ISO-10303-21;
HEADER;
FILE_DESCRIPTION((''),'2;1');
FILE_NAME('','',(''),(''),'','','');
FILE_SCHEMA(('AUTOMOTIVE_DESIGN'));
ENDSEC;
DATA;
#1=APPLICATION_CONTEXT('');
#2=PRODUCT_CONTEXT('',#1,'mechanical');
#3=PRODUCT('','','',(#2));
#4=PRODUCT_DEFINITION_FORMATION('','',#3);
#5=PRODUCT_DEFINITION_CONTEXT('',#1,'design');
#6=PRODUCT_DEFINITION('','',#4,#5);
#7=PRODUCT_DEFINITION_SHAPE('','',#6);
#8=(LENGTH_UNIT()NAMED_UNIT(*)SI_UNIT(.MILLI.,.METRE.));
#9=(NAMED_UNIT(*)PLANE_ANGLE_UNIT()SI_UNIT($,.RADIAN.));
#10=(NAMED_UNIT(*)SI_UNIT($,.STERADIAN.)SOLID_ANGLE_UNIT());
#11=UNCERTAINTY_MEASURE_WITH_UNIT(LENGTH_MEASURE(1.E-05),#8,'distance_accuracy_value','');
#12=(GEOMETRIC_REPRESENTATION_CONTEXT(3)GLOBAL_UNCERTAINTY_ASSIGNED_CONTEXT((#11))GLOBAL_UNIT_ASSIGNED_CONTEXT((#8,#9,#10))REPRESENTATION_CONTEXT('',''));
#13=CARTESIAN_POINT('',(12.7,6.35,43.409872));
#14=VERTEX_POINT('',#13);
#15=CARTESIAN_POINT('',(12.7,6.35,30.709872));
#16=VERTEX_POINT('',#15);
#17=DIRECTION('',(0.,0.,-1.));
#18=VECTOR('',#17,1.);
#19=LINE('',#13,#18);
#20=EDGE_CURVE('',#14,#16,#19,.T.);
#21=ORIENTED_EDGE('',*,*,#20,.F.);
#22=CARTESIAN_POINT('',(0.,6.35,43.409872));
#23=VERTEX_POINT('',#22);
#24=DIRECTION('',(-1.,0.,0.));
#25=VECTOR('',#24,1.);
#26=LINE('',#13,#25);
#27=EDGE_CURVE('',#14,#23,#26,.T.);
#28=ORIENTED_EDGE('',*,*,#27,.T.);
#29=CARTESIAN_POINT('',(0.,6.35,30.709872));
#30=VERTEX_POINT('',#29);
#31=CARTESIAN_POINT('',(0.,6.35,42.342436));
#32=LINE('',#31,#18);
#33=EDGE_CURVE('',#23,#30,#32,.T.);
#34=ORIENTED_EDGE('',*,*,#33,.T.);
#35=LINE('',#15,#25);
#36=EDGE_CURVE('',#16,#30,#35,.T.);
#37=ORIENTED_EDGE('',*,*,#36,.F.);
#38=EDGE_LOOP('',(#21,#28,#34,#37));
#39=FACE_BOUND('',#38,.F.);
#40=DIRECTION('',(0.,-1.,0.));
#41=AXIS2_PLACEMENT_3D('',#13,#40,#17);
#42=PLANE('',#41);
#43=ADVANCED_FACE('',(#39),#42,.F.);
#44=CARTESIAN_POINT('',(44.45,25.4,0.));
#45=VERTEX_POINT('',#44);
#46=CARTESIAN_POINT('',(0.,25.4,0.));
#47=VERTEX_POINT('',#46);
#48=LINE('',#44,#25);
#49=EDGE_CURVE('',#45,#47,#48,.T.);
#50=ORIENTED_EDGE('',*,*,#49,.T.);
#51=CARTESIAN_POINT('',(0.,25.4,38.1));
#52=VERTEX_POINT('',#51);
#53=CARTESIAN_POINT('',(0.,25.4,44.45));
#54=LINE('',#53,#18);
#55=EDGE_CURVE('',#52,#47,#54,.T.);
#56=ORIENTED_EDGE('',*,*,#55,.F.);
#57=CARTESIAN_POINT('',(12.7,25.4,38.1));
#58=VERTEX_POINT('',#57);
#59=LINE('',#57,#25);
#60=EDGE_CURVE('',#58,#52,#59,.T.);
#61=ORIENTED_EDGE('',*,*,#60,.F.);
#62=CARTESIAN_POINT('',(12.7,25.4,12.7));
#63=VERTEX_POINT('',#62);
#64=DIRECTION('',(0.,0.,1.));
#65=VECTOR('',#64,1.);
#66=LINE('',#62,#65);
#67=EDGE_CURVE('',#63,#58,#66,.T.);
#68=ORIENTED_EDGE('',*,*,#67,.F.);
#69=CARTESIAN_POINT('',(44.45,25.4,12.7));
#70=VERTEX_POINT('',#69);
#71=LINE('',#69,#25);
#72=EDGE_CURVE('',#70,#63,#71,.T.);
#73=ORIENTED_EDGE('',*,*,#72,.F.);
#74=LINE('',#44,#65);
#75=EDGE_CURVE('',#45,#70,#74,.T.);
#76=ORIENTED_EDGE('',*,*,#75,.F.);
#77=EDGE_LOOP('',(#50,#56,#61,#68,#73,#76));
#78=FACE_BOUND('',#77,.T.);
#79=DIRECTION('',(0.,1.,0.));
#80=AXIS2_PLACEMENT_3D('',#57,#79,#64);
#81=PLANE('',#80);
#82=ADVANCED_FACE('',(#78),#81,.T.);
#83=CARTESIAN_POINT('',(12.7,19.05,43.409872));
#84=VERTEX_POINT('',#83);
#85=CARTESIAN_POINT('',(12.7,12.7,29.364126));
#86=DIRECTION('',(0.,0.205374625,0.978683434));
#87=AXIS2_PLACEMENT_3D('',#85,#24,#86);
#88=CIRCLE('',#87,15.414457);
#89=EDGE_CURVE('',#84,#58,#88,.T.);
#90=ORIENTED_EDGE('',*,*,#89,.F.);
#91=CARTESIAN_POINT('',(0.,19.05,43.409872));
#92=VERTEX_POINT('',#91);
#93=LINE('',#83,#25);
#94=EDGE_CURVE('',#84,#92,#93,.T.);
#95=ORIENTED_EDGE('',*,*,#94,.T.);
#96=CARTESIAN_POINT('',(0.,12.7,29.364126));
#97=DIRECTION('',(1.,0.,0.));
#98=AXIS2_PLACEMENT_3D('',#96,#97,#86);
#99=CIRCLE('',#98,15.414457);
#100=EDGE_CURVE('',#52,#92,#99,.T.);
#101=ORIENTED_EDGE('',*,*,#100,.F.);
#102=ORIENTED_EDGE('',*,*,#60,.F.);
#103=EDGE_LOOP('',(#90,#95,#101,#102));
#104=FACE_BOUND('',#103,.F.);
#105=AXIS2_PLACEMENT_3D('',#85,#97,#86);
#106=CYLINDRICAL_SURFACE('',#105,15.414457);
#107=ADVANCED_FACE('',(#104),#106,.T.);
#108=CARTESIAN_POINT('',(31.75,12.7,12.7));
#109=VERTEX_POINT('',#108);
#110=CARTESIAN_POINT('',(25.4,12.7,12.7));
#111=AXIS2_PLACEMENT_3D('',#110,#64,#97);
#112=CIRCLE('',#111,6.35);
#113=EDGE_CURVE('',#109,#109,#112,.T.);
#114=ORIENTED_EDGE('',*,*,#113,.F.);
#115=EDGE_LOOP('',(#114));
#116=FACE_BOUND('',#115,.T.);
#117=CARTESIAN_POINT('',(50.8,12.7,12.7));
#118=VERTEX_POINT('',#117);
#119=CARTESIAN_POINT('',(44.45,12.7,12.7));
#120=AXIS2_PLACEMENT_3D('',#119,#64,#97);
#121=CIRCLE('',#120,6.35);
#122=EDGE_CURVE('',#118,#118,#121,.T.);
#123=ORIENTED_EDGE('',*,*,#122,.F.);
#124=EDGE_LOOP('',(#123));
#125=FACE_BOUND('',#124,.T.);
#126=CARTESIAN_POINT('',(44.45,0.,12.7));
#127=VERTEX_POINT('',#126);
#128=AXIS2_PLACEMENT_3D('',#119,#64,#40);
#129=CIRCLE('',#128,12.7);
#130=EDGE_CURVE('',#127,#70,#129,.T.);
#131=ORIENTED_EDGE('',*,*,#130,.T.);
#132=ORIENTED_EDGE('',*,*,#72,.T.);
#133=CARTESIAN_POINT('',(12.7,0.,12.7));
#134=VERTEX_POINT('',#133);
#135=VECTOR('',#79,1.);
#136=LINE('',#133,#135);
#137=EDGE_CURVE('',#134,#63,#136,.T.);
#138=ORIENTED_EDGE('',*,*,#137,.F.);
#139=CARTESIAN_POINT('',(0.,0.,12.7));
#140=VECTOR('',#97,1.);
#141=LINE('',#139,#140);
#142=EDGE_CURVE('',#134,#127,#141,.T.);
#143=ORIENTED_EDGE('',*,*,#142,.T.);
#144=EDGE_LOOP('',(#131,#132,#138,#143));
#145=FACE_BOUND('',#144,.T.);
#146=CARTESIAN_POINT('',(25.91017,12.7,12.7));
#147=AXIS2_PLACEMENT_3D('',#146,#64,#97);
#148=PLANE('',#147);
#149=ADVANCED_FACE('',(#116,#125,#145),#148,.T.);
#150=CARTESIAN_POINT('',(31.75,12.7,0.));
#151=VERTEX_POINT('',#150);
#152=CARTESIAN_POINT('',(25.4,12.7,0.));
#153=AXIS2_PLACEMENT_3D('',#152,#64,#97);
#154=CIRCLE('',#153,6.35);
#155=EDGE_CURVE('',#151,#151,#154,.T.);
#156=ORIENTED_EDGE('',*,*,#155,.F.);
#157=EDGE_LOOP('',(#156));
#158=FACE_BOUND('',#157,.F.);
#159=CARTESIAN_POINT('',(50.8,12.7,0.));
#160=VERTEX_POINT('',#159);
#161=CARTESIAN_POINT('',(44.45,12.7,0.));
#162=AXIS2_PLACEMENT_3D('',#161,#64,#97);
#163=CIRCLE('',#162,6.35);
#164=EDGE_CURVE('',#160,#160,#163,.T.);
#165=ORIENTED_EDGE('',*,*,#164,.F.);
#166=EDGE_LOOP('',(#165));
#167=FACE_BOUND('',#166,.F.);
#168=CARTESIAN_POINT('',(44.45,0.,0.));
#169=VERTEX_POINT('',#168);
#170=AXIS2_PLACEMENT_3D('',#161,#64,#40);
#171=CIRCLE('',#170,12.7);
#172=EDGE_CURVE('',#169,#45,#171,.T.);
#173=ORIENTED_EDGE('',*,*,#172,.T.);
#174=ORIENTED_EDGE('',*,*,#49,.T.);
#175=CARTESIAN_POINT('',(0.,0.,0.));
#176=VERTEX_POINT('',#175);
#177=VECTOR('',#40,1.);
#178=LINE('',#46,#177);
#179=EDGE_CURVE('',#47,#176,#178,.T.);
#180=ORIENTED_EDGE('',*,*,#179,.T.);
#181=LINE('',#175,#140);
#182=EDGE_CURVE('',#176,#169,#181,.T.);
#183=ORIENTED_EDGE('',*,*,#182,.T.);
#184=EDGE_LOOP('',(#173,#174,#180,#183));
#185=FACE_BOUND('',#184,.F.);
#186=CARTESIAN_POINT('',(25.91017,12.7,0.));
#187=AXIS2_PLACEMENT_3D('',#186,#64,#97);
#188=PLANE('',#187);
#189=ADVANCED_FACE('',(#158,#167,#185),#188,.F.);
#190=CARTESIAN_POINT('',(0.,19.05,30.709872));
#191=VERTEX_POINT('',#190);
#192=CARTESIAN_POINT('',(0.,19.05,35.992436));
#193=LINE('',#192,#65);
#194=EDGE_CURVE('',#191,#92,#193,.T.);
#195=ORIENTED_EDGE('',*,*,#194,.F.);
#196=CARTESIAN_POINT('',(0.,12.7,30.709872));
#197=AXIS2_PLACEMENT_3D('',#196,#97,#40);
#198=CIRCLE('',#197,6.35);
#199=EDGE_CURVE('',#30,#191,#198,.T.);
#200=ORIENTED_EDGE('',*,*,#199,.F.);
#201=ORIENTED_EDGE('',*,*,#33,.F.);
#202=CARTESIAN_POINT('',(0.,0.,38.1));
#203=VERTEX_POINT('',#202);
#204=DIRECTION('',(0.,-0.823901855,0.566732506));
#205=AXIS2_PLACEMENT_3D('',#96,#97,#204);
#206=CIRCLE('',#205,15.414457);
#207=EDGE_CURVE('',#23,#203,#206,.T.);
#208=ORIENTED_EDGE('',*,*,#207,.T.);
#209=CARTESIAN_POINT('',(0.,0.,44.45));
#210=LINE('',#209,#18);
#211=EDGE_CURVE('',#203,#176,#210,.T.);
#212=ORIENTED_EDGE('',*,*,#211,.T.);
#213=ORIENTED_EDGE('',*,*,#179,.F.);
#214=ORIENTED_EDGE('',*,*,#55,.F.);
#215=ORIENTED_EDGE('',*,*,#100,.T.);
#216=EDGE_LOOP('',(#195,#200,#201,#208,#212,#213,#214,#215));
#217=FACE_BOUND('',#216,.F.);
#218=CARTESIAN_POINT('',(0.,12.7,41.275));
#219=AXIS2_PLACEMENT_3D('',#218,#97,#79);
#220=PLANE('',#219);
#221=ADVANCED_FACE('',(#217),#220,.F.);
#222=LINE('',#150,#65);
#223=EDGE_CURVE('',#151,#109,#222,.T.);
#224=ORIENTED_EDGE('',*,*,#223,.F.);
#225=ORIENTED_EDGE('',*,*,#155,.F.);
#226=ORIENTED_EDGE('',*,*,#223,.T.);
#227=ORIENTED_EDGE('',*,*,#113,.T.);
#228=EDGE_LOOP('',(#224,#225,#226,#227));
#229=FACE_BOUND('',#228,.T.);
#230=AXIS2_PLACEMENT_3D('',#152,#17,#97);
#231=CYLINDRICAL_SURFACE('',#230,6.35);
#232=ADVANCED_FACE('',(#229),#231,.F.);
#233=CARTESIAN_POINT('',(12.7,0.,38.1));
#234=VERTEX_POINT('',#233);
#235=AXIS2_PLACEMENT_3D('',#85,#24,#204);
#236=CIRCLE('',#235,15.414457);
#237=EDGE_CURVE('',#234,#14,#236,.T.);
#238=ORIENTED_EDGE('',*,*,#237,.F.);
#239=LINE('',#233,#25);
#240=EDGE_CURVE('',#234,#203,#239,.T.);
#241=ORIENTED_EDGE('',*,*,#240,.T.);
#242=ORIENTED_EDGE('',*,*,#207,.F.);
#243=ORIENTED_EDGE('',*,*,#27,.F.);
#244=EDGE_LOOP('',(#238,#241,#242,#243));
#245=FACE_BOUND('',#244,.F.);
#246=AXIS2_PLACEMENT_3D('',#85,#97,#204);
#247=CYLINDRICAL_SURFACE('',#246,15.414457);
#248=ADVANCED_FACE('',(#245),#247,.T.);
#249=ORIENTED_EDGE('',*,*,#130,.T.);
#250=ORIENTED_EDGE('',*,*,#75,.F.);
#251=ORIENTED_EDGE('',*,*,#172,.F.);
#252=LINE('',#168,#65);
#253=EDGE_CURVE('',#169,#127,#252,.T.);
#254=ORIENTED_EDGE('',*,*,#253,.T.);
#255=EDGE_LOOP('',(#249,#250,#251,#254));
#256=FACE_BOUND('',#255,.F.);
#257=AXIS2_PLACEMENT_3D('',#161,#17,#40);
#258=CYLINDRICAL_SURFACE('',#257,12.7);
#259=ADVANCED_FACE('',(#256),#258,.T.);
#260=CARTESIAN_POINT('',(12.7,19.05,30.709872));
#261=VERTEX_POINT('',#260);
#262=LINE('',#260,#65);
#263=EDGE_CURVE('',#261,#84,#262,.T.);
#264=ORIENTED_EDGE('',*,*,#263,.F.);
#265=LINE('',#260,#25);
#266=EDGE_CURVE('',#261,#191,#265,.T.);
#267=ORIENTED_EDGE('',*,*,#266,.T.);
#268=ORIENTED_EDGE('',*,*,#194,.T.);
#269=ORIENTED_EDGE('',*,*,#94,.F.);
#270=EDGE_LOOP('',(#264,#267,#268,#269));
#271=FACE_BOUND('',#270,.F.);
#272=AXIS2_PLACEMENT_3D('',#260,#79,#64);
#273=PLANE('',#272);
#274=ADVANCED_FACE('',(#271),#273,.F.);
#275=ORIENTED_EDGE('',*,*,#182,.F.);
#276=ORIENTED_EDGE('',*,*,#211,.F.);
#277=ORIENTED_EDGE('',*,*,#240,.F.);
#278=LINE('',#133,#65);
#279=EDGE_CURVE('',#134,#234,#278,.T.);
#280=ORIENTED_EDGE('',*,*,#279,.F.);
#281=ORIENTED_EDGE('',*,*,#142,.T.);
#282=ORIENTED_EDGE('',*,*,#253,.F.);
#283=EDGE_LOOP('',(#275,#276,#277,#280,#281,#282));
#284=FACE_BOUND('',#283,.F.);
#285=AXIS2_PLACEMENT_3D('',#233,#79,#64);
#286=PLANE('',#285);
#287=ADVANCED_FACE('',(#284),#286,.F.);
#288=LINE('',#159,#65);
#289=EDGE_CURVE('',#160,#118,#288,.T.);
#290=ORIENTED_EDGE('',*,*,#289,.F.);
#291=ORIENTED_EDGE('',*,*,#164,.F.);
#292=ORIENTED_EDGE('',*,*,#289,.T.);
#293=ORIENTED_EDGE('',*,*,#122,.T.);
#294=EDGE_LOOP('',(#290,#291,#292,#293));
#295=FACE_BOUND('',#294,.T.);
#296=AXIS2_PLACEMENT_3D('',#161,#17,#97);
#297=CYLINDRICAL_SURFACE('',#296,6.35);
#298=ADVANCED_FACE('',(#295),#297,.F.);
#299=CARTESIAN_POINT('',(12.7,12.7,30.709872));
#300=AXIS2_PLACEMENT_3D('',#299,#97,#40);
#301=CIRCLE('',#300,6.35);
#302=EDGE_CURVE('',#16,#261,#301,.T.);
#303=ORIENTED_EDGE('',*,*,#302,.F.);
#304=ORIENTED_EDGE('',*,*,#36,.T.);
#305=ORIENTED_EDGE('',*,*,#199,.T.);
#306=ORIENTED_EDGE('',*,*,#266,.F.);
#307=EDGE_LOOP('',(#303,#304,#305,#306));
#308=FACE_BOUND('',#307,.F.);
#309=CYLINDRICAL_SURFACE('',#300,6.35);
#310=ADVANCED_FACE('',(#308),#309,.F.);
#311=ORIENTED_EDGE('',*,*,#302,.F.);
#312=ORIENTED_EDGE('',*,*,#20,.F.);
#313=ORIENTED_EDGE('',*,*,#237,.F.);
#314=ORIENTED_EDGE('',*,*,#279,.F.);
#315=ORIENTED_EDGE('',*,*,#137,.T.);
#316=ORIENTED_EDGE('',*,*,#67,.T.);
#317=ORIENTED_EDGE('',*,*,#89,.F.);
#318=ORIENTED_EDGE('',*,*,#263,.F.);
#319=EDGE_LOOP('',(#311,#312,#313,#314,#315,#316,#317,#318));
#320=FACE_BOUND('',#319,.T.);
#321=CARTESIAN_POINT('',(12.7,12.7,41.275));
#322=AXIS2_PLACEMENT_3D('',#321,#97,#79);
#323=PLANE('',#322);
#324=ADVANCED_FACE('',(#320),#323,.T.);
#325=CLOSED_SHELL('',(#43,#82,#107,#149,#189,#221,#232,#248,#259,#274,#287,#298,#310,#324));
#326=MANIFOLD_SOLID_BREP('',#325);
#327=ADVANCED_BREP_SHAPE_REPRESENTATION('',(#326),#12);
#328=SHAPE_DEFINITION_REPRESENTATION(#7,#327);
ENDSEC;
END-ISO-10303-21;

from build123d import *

# Parameters (mm, degrees)
F0_R     = 6.35
F1_DEPTH = 12.7
F2_W     = 12.7
F2_H     = 25.4
F3_DEPTH = 25.4
F4_W     = 25.4
F4_H     = 6.35
F5_DEPTH = 12.7
F7_DEPTH = 25.4
F9_DEPTH = 25.4


with BuildPart() as f1:
    # F0 (on Top) → F1 (new body)
    with BuildSketch(Plane.XY):
        with BuildLine():
            Line((0, 25.4), (0, 0))
            Line((0, 0), (44.45, 0))
            ThreePointArc((44.45, 0), (57.15, 12.7), (44.45, 25.4))
            Line((44.45, 25.4), (0, 25.4))
        make_face()
        with Locations((25.4, 12.7)):
            Circle(F0_R, mode=Mode.SUBTRACT)
        with Locations((44.45, 12.7)):
            Circle(F0_R, mode=Mode.SUBTRACT)
    extrude(amount=F1_DEPTH)

    # F2 (on face) → F3 (join)
    with BuildSketch(Plane.XZ):
        with Locations((6.35, 25.4)):
            Rectangle(F2_W, F2_H)
    extrude(amount=-F3_DEPTH)

    # F4 (on face) → F5 (join)
    with BuildSketch(Plane.YZ.offset(12.7)):
        with Locations((12.7, 41.275)):
            Rectangle(F4_W, F4_H)
    extrude(amount=-F5_DEPTH)

    # F6 (on face) → F7 (cut)
    with BuildSketch(Plane.YZ.offset(12.7)):
        with BuildLine():
            ThreePointArc((15.8657383942, 44.45), (21.2446497119, 42.1935630666), (25.4, 38.1))
            Line((25.4, 38.1), (25.4, 44.45))
            Line((25.4, 44.45), (15.8657383942, 44.45))
        make_face()
        with BuildLine():
            ThreePointArc((0, 38.1), (4.1553502881, 42.1935630666), (9.5342616058, 44.45))
            Line((9.5342616058, 44.45), (0, 44.45))
            Line((0, 44.45), (0, 38.1))
        make_face()
    extrude(amount=-F7_DEPTH, mode=Mode.SUBTRACT)

    # F8 (on face) → F9 (cut)
    with BuildSketch(Plane.YZ.offset(12.7)):
        with BuildLine():
            ThreePointArc((9.5342616058, 44.45), (7.9137921468, 44.0166926131), (6.35, 43.4098724745))
            Line((6.35, 43.4098724745), (6.35, 30.7098724745))
            ThreePointArc((6.35, 30.7098724745), (12.7, 24.3598724745), (19.05, 30.7098724745))
            Line((19.05, 30.7098724745), (19.05, 43.4098724745))
            ThreePointArc((19.05, 43.4098724745), (17.4862078532, 44.0166926131), (15.8657383942, 44.45))
            Line((15.8657383942, 44.45), (9.5342616058, 44.45))
        make_face()
    extrude(amount=-F9_DEPTH, mode=Mode.SUBTRACT)


solid = f1.part
